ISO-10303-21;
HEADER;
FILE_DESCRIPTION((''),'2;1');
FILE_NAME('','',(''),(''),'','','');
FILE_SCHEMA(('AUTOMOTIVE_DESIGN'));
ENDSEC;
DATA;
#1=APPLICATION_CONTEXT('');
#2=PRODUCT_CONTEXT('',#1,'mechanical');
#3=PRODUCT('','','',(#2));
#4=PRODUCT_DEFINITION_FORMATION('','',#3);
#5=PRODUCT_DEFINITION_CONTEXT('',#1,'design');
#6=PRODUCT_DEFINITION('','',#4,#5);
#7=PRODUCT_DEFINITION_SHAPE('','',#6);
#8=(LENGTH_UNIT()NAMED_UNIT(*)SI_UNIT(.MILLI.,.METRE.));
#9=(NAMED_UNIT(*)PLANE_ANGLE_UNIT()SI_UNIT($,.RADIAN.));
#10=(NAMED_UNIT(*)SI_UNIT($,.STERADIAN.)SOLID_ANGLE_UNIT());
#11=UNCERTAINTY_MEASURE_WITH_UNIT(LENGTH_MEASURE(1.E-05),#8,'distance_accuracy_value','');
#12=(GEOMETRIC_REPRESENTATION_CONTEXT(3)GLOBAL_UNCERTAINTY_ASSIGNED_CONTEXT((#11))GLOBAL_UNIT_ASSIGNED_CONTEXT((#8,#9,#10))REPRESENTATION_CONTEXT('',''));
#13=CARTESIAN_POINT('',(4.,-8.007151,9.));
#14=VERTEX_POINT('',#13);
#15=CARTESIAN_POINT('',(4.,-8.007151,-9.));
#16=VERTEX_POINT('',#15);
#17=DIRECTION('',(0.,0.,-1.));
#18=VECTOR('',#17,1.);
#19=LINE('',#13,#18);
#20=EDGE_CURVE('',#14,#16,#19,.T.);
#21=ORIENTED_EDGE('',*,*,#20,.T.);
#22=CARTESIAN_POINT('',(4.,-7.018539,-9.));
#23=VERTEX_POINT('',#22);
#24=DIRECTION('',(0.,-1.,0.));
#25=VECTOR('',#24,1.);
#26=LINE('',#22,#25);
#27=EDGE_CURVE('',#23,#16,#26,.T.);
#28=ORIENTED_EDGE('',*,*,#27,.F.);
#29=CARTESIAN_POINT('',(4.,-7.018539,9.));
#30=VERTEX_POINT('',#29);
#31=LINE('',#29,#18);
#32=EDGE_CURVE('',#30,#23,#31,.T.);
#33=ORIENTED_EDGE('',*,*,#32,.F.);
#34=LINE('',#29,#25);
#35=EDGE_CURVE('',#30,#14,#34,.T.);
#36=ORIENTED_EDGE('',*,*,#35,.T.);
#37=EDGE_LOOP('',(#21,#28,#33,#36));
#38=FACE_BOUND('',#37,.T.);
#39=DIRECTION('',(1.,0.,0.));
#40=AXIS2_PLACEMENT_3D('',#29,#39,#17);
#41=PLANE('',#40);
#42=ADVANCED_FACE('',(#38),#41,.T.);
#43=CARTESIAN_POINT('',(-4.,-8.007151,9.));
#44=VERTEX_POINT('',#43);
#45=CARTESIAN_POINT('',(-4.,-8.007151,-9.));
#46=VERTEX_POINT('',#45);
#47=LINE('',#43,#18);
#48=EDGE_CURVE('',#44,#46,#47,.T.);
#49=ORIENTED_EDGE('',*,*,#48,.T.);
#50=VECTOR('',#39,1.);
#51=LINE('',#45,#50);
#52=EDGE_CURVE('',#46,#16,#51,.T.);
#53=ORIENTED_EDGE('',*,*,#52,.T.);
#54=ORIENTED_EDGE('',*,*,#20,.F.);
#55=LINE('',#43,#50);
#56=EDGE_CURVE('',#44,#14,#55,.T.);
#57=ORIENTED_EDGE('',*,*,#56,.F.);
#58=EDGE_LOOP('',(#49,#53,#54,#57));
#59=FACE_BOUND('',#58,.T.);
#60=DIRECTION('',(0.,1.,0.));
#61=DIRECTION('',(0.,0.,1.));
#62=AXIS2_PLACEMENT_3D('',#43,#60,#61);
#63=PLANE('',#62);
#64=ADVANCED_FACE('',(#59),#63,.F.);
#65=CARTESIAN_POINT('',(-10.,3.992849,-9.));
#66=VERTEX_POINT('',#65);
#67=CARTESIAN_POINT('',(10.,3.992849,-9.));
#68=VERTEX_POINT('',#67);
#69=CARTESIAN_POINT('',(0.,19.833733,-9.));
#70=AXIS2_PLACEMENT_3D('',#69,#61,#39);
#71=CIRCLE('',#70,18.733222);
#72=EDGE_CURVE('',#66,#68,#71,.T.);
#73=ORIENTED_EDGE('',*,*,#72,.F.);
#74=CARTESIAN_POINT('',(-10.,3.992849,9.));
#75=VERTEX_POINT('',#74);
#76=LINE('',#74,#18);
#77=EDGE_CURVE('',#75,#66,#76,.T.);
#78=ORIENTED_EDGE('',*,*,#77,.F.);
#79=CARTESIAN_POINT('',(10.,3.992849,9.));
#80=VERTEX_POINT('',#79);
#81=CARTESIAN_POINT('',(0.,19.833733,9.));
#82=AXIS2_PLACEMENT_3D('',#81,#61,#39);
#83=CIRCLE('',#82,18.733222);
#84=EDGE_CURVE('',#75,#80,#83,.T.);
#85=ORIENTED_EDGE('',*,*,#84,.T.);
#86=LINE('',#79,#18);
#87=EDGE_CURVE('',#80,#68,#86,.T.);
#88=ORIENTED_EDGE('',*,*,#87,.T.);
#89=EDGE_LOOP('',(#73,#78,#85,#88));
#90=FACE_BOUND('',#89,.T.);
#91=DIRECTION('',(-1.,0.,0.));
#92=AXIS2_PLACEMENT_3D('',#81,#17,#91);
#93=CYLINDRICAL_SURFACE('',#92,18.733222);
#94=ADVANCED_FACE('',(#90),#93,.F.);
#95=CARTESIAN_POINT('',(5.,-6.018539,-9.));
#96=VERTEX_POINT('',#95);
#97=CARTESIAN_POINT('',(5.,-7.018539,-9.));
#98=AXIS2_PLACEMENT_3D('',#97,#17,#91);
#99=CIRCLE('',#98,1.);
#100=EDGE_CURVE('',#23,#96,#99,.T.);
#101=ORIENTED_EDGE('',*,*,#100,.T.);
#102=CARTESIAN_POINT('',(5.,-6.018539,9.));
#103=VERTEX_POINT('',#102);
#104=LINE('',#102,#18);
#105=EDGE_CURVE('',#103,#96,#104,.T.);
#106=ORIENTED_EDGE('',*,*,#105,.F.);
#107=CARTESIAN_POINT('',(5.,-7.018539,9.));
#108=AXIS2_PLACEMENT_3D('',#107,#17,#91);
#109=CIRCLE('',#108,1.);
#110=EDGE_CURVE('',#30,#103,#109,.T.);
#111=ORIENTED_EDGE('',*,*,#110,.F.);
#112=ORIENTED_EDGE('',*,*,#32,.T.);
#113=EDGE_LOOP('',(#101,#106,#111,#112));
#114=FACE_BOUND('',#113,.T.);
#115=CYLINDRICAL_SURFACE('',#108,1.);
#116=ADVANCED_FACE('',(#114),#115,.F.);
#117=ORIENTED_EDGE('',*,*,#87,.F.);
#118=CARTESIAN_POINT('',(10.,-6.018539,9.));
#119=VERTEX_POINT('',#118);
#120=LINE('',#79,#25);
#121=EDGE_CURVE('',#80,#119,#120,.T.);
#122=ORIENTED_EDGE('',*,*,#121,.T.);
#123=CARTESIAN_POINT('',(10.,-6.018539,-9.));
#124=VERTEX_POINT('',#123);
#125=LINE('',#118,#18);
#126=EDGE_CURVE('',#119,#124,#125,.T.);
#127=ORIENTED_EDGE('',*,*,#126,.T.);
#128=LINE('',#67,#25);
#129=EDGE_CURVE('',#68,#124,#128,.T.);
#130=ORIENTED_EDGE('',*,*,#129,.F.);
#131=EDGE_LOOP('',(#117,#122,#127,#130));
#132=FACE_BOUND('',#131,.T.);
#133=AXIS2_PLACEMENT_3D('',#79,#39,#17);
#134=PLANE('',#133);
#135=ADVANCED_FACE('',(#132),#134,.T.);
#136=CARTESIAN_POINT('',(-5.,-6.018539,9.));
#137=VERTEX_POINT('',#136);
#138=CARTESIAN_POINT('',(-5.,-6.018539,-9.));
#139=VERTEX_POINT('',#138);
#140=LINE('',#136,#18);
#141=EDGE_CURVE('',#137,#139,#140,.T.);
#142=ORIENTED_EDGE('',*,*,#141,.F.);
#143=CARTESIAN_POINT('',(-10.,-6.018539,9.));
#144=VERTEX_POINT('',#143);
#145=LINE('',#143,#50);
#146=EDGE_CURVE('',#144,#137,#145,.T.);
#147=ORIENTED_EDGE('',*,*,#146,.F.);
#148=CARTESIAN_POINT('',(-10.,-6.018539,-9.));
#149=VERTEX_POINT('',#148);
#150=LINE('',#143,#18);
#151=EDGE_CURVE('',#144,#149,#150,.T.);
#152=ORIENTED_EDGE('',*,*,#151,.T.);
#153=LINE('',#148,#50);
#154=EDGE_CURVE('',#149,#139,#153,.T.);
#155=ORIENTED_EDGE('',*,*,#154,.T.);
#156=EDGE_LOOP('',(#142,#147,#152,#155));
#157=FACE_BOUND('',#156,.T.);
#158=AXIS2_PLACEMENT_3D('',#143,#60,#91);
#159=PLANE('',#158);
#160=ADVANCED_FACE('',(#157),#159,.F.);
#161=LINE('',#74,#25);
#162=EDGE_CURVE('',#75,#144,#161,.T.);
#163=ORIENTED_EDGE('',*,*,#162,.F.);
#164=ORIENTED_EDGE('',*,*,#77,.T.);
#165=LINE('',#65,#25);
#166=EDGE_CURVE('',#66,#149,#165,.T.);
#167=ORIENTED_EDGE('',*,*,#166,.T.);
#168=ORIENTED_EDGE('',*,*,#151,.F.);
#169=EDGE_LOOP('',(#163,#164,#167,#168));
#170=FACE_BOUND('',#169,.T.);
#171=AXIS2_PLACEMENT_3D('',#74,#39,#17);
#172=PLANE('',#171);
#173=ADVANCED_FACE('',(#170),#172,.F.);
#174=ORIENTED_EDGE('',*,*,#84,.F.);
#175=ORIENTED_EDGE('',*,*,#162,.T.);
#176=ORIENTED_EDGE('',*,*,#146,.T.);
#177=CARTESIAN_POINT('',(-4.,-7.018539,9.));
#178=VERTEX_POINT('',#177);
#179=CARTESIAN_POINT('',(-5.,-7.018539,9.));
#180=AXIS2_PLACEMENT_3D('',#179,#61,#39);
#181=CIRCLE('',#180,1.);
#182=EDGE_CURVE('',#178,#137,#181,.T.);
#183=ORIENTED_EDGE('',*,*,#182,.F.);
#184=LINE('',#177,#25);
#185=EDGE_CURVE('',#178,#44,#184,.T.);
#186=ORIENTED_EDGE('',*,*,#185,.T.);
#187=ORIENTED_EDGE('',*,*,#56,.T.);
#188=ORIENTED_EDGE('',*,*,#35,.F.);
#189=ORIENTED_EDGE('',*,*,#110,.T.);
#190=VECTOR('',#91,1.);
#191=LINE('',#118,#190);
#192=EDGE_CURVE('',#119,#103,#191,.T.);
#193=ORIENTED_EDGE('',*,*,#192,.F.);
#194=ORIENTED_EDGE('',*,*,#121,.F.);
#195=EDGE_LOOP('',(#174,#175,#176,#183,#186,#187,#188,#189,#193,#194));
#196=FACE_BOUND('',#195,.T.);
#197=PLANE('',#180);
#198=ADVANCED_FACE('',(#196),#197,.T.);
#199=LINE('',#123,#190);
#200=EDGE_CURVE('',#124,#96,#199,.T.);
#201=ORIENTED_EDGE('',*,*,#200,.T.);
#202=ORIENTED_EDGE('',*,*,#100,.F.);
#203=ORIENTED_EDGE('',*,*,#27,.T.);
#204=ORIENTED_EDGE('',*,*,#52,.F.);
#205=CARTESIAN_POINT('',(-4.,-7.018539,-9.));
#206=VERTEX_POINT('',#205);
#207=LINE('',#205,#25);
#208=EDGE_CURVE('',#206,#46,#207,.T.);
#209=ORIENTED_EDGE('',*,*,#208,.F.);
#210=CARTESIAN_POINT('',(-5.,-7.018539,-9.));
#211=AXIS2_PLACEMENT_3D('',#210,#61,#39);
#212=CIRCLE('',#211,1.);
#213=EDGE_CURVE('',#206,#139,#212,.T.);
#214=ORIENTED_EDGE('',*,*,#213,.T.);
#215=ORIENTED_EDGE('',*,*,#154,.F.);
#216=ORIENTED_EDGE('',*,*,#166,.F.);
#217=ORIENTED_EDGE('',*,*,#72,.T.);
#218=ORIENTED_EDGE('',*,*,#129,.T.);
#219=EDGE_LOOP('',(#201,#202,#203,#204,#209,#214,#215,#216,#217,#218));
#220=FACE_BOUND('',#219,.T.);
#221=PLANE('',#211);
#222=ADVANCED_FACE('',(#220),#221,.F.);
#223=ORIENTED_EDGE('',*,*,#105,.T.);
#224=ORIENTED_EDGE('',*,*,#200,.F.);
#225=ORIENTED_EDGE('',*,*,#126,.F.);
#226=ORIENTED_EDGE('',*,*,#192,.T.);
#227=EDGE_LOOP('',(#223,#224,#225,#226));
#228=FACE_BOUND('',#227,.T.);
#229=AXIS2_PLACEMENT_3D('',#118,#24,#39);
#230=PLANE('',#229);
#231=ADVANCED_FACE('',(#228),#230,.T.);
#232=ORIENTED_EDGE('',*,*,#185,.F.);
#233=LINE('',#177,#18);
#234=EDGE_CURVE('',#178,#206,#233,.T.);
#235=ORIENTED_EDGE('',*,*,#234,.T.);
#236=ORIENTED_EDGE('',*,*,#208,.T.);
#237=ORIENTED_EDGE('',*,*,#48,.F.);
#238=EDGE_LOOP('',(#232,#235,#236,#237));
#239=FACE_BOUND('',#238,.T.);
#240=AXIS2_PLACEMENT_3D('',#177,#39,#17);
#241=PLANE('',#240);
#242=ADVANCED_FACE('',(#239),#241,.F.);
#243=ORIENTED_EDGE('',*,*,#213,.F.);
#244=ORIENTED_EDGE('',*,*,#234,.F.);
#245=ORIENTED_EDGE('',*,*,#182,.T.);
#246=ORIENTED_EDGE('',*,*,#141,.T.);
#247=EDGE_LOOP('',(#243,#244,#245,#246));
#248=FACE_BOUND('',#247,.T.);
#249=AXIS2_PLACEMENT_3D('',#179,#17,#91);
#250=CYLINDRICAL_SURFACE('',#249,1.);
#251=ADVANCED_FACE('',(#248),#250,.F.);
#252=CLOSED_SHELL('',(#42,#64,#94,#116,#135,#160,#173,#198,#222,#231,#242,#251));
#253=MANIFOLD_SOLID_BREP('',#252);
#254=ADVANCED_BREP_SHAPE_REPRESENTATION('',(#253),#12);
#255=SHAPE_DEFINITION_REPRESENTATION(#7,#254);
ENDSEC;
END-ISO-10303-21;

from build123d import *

# Parameters (mm, degrees)
BOSS_EXTRUDE1_DEPTH = 9


with BuildPart() as part:
    # Sketch1 → Boss-Extrude1 (new, symmetric)
    with BuildSketch(Plane.XY):
        with BuildLine():
            Line((10, 3.992849301), (10, -6.01853916))
            Line((10, -6.01853916), (5, -6.01853916))
            ThreePointArc((5, -6.01853916), (4.292893219, -6.311432379), (4, -7.01853916))
            Line((4, -7.01853916), (4, -8.007150699))
            Line((4, -8.007150699), (-4, -8.007150699))
            Line((-4, -8.007150699), (-4, -7.01853916))
            ThreePointArc((-4, -7.01853916), (-4.292893219, -6.311432379), (-5, -6.01853916))
            Line((-5, -6.01853916), (-10, -6.01853916))
            Line((-10, -6.01853916), (-10, 3.992849301))
            ThreePointArc((-10, 3.992849301), (0, 1.100511346), (10, 3.992849301))
        make_face()
    extrude(amount=BOSS_EXTRUDE1_DEPTH, both=True)


solid = part.part
